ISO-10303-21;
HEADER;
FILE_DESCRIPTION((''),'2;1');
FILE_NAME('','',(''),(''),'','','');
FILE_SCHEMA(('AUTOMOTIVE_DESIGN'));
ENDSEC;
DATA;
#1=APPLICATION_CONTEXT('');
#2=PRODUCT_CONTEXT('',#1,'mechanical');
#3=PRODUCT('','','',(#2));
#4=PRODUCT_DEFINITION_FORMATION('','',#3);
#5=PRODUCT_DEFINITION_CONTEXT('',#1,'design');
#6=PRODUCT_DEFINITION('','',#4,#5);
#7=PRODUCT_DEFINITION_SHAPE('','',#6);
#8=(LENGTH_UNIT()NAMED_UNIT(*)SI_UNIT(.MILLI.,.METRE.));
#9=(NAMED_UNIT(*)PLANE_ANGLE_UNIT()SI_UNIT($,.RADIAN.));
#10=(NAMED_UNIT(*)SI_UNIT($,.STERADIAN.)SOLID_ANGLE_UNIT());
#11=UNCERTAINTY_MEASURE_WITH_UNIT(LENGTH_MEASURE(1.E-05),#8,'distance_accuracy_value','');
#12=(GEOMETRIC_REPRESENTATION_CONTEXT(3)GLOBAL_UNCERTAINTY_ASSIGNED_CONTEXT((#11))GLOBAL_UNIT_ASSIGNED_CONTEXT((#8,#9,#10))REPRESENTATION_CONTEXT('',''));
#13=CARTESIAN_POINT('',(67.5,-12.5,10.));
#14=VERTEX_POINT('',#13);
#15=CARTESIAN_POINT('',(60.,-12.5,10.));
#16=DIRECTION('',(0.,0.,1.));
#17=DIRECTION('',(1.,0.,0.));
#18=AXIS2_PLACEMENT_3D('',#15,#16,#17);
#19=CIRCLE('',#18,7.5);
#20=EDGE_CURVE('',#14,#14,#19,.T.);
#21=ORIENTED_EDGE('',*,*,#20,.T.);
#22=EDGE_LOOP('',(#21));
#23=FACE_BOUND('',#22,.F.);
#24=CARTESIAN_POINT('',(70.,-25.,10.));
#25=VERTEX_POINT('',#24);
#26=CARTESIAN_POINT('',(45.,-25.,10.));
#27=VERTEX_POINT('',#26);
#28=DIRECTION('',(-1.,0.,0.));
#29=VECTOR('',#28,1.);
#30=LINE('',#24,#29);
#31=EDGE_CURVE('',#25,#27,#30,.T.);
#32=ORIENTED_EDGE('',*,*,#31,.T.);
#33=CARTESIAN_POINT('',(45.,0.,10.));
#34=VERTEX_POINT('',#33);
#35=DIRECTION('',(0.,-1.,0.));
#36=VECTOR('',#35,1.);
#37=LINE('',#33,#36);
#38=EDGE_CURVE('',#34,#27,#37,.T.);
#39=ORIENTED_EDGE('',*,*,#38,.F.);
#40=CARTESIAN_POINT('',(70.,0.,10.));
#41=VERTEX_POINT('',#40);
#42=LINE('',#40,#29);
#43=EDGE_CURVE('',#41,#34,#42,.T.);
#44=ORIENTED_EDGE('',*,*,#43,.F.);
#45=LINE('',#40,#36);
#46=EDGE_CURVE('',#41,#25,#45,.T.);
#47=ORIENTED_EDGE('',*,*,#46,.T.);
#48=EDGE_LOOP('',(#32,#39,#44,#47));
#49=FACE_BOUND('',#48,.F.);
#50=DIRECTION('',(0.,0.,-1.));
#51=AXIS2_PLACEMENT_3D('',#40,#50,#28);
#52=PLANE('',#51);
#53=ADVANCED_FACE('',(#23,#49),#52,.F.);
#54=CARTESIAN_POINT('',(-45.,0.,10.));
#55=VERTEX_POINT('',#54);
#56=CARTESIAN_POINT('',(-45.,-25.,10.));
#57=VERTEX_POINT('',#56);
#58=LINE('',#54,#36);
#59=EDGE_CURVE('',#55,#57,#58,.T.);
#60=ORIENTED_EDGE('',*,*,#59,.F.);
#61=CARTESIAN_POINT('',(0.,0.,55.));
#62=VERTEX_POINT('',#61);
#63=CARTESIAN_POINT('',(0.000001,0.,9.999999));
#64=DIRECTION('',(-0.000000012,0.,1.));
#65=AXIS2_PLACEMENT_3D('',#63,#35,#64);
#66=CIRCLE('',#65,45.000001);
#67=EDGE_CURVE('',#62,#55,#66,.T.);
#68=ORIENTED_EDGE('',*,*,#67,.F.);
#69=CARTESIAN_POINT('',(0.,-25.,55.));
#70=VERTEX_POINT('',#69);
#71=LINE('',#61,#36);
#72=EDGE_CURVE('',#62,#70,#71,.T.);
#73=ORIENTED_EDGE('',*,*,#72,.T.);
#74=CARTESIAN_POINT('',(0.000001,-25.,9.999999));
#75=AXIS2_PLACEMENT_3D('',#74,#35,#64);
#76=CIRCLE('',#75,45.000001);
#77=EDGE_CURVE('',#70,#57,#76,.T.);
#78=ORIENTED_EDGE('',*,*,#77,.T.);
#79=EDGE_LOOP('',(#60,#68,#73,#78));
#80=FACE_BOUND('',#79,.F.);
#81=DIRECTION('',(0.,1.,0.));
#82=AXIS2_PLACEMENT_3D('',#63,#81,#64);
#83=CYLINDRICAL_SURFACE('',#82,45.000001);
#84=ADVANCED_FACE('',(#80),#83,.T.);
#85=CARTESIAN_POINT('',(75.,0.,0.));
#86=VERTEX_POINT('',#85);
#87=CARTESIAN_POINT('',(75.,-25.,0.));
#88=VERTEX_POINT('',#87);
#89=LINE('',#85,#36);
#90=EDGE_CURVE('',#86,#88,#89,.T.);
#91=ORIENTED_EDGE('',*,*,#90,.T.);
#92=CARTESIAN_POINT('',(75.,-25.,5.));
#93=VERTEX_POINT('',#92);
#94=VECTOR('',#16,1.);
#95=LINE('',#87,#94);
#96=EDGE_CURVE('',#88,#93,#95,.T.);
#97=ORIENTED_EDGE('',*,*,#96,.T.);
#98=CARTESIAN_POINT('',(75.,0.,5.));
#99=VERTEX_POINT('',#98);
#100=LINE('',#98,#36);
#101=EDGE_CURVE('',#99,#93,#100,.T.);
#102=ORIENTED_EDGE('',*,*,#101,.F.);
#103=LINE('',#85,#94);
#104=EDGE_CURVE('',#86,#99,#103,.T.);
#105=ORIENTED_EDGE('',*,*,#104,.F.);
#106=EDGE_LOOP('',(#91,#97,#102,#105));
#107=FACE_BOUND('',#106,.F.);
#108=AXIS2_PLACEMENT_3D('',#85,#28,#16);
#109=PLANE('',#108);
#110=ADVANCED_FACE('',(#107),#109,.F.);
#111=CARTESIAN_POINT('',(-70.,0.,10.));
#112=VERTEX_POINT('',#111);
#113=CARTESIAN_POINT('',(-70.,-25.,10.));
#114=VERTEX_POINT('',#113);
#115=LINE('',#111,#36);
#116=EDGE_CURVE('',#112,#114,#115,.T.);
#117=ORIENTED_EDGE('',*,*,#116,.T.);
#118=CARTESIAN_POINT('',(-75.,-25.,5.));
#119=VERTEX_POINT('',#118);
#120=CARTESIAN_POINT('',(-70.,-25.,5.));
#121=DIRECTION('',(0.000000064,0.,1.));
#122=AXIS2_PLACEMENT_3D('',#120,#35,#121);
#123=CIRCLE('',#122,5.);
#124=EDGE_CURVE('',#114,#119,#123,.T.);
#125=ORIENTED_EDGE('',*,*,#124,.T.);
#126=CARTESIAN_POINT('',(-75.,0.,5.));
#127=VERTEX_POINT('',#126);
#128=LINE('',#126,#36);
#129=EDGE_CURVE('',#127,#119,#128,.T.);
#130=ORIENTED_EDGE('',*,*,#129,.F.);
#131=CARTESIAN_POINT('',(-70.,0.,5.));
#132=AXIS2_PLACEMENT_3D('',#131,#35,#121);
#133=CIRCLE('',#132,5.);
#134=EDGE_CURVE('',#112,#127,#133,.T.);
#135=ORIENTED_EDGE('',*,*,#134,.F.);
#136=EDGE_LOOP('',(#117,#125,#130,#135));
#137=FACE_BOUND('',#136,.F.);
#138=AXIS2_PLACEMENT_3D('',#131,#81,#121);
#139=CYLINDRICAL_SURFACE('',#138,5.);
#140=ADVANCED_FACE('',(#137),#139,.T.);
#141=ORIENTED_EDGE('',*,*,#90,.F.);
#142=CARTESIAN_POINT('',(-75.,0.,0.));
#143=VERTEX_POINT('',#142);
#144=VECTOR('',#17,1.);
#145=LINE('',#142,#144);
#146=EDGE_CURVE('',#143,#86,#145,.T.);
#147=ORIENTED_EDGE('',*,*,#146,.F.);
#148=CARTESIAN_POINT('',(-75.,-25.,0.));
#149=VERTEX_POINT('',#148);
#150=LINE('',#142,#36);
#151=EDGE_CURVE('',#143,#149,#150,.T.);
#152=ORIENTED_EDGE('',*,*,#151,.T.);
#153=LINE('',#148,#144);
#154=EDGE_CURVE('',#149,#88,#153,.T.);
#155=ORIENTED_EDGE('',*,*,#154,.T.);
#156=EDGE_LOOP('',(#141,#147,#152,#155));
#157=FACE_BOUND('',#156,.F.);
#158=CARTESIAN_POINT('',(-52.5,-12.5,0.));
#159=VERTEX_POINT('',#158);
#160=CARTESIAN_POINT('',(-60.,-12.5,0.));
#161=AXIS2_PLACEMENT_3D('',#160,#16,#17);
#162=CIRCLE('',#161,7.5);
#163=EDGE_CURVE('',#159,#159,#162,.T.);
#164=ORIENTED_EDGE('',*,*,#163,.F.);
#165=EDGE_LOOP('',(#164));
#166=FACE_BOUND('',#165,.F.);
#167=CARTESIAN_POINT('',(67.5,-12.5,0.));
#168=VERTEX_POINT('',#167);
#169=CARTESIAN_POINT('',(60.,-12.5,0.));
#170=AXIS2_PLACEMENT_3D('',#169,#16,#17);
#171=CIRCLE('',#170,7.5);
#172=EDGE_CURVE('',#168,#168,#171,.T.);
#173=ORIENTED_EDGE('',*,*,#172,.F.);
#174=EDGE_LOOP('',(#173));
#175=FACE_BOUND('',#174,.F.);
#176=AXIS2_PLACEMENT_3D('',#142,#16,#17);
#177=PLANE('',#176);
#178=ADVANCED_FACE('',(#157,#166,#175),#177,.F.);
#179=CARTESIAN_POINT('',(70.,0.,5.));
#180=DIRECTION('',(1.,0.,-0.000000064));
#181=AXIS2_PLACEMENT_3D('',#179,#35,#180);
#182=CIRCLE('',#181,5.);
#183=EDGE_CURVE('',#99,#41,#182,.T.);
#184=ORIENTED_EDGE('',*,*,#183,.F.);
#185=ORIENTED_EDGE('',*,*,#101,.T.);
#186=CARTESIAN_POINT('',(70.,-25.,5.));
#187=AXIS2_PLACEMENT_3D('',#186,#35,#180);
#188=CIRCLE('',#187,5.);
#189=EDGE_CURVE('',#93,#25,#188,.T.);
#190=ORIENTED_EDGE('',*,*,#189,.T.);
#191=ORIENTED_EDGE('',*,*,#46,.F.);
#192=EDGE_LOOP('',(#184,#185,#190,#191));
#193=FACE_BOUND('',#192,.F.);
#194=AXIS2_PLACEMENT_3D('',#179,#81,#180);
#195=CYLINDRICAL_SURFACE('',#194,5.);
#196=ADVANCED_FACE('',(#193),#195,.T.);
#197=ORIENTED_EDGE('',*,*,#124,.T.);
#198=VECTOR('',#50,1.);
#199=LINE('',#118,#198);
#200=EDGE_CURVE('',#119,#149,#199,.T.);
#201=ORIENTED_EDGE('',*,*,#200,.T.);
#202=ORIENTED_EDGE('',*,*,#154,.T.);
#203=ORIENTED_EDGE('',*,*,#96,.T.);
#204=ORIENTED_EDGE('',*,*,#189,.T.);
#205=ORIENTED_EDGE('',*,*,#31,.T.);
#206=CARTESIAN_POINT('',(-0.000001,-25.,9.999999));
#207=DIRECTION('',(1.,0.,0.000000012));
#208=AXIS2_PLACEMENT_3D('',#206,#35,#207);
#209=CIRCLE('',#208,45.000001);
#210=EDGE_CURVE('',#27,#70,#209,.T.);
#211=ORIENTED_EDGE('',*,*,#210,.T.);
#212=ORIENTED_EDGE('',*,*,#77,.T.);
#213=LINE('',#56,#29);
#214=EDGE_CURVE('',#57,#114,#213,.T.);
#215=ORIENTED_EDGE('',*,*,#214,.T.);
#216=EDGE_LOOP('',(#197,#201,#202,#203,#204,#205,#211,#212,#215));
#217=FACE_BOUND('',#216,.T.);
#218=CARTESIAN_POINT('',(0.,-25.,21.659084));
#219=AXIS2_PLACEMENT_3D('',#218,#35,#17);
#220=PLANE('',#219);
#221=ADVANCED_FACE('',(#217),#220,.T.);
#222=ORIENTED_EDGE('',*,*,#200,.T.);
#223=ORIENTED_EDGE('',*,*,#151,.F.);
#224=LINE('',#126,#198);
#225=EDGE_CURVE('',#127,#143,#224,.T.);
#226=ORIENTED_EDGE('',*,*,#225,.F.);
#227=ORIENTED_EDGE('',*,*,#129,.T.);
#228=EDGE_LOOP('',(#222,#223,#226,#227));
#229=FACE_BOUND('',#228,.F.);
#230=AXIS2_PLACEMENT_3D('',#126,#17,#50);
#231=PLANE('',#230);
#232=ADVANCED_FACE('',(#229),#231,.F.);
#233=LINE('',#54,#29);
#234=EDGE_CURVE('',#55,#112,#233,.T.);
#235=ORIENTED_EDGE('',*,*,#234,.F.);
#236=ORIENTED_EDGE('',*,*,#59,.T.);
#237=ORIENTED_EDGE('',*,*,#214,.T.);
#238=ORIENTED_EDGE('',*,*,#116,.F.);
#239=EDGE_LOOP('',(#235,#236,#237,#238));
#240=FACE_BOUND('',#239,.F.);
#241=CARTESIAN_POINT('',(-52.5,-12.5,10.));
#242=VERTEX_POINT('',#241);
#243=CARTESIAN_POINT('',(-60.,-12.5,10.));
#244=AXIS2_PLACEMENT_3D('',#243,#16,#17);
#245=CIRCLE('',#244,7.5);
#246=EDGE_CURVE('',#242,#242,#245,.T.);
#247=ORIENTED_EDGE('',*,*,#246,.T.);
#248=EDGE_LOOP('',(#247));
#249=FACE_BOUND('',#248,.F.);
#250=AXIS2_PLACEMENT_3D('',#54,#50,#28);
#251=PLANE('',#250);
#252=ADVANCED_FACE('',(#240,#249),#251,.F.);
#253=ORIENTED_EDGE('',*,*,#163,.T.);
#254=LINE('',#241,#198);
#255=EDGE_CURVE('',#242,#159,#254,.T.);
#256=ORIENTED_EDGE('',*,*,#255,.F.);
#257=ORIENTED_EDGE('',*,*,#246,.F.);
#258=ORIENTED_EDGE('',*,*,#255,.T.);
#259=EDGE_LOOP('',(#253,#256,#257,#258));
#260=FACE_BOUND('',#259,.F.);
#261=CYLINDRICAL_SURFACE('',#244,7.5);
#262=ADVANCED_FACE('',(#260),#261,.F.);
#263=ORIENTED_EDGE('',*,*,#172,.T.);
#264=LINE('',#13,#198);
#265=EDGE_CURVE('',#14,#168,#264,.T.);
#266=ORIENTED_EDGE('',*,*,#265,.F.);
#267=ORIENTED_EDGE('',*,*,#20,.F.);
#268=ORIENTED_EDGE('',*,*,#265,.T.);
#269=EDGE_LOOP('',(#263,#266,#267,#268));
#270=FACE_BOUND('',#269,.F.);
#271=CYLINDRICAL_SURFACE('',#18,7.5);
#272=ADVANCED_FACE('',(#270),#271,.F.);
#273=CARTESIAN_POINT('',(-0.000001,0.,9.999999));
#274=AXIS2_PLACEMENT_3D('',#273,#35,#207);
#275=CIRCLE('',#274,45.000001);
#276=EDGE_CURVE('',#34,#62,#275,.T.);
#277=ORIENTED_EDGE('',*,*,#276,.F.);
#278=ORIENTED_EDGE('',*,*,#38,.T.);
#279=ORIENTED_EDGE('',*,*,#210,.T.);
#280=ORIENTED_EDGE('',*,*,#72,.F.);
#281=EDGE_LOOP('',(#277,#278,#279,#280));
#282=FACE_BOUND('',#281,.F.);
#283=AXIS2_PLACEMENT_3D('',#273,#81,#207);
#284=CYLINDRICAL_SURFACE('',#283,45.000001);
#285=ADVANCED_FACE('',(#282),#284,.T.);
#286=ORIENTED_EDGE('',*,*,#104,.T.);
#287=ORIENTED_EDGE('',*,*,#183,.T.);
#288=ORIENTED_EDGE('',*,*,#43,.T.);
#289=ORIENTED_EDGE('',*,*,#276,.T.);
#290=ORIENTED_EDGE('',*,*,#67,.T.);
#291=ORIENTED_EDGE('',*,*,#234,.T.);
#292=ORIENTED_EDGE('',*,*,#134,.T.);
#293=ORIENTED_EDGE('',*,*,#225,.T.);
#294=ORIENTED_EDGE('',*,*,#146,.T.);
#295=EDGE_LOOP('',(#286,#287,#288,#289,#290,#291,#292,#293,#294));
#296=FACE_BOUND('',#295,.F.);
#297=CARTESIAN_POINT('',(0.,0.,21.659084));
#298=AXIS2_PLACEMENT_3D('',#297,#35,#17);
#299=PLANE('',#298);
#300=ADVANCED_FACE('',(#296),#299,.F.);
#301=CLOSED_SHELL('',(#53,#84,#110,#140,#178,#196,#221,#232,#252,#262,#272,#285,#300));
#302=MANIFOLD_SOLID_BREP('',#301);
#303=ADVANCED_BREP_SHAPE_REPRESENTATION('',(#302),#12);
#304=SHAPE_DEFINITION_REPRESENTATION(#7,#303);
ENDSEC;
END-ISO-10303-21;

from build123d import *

# Parameters (mm, degrees)
F1_DEPTH = 25
F2_R     = 7.5
F3_DEPTH = 10.001


with BuildPart() as f1:
    # F0 (on Front) → F1 (new body)
    with BuildSketch(Plane.XZ):
        with BuildLine():
            Line((-45, 10), (-45, 0))
            Line((-45, 0), (45, 0))
            Line((45, 0), (45, 10))
            ThreePointArc((45, 10), (31.819805, 41.819805), (0, 55))
            ThreePointArc((0, 55), (-31.819805, 41.819805), (-45, 10))
        make_face()
        with BuildLine():
            Line((-75, 5), (-75, 0))
            Line((-75, 0), (-45, 0))
            Line((-45, 0), (-45, 10))
            Line((-45, 10), (-70, 10))
            ThreePointArc((-70, 10), (-73.535534, 8.535534), (-75, 5))
        make_face()
        with BuildLine():
            Line((45, 10), (45, 0))
            Line((45, 0), (75, 0))
            Line((75, 0), (75, 5))
            ThreePointArc((75, 5), (73.535534, 8.535534), (70, 10))
            Line((70, 10), (45, 10))
        make_face()
    extrude(amount=F1_DEPTH)

    # F2 (on face) → F3 (cut, through all)
    with BuildSketch(Plane.XY.offset(10)):
        with Locations((-60, -12.5)):
            Circle(F2_R)
        with Locations((60, -12.5)):
            Circle(F2_R)
    extrude(amount=-F3_DEPTH, mode=Mode.SUBTRACT)


solid = f1.part
